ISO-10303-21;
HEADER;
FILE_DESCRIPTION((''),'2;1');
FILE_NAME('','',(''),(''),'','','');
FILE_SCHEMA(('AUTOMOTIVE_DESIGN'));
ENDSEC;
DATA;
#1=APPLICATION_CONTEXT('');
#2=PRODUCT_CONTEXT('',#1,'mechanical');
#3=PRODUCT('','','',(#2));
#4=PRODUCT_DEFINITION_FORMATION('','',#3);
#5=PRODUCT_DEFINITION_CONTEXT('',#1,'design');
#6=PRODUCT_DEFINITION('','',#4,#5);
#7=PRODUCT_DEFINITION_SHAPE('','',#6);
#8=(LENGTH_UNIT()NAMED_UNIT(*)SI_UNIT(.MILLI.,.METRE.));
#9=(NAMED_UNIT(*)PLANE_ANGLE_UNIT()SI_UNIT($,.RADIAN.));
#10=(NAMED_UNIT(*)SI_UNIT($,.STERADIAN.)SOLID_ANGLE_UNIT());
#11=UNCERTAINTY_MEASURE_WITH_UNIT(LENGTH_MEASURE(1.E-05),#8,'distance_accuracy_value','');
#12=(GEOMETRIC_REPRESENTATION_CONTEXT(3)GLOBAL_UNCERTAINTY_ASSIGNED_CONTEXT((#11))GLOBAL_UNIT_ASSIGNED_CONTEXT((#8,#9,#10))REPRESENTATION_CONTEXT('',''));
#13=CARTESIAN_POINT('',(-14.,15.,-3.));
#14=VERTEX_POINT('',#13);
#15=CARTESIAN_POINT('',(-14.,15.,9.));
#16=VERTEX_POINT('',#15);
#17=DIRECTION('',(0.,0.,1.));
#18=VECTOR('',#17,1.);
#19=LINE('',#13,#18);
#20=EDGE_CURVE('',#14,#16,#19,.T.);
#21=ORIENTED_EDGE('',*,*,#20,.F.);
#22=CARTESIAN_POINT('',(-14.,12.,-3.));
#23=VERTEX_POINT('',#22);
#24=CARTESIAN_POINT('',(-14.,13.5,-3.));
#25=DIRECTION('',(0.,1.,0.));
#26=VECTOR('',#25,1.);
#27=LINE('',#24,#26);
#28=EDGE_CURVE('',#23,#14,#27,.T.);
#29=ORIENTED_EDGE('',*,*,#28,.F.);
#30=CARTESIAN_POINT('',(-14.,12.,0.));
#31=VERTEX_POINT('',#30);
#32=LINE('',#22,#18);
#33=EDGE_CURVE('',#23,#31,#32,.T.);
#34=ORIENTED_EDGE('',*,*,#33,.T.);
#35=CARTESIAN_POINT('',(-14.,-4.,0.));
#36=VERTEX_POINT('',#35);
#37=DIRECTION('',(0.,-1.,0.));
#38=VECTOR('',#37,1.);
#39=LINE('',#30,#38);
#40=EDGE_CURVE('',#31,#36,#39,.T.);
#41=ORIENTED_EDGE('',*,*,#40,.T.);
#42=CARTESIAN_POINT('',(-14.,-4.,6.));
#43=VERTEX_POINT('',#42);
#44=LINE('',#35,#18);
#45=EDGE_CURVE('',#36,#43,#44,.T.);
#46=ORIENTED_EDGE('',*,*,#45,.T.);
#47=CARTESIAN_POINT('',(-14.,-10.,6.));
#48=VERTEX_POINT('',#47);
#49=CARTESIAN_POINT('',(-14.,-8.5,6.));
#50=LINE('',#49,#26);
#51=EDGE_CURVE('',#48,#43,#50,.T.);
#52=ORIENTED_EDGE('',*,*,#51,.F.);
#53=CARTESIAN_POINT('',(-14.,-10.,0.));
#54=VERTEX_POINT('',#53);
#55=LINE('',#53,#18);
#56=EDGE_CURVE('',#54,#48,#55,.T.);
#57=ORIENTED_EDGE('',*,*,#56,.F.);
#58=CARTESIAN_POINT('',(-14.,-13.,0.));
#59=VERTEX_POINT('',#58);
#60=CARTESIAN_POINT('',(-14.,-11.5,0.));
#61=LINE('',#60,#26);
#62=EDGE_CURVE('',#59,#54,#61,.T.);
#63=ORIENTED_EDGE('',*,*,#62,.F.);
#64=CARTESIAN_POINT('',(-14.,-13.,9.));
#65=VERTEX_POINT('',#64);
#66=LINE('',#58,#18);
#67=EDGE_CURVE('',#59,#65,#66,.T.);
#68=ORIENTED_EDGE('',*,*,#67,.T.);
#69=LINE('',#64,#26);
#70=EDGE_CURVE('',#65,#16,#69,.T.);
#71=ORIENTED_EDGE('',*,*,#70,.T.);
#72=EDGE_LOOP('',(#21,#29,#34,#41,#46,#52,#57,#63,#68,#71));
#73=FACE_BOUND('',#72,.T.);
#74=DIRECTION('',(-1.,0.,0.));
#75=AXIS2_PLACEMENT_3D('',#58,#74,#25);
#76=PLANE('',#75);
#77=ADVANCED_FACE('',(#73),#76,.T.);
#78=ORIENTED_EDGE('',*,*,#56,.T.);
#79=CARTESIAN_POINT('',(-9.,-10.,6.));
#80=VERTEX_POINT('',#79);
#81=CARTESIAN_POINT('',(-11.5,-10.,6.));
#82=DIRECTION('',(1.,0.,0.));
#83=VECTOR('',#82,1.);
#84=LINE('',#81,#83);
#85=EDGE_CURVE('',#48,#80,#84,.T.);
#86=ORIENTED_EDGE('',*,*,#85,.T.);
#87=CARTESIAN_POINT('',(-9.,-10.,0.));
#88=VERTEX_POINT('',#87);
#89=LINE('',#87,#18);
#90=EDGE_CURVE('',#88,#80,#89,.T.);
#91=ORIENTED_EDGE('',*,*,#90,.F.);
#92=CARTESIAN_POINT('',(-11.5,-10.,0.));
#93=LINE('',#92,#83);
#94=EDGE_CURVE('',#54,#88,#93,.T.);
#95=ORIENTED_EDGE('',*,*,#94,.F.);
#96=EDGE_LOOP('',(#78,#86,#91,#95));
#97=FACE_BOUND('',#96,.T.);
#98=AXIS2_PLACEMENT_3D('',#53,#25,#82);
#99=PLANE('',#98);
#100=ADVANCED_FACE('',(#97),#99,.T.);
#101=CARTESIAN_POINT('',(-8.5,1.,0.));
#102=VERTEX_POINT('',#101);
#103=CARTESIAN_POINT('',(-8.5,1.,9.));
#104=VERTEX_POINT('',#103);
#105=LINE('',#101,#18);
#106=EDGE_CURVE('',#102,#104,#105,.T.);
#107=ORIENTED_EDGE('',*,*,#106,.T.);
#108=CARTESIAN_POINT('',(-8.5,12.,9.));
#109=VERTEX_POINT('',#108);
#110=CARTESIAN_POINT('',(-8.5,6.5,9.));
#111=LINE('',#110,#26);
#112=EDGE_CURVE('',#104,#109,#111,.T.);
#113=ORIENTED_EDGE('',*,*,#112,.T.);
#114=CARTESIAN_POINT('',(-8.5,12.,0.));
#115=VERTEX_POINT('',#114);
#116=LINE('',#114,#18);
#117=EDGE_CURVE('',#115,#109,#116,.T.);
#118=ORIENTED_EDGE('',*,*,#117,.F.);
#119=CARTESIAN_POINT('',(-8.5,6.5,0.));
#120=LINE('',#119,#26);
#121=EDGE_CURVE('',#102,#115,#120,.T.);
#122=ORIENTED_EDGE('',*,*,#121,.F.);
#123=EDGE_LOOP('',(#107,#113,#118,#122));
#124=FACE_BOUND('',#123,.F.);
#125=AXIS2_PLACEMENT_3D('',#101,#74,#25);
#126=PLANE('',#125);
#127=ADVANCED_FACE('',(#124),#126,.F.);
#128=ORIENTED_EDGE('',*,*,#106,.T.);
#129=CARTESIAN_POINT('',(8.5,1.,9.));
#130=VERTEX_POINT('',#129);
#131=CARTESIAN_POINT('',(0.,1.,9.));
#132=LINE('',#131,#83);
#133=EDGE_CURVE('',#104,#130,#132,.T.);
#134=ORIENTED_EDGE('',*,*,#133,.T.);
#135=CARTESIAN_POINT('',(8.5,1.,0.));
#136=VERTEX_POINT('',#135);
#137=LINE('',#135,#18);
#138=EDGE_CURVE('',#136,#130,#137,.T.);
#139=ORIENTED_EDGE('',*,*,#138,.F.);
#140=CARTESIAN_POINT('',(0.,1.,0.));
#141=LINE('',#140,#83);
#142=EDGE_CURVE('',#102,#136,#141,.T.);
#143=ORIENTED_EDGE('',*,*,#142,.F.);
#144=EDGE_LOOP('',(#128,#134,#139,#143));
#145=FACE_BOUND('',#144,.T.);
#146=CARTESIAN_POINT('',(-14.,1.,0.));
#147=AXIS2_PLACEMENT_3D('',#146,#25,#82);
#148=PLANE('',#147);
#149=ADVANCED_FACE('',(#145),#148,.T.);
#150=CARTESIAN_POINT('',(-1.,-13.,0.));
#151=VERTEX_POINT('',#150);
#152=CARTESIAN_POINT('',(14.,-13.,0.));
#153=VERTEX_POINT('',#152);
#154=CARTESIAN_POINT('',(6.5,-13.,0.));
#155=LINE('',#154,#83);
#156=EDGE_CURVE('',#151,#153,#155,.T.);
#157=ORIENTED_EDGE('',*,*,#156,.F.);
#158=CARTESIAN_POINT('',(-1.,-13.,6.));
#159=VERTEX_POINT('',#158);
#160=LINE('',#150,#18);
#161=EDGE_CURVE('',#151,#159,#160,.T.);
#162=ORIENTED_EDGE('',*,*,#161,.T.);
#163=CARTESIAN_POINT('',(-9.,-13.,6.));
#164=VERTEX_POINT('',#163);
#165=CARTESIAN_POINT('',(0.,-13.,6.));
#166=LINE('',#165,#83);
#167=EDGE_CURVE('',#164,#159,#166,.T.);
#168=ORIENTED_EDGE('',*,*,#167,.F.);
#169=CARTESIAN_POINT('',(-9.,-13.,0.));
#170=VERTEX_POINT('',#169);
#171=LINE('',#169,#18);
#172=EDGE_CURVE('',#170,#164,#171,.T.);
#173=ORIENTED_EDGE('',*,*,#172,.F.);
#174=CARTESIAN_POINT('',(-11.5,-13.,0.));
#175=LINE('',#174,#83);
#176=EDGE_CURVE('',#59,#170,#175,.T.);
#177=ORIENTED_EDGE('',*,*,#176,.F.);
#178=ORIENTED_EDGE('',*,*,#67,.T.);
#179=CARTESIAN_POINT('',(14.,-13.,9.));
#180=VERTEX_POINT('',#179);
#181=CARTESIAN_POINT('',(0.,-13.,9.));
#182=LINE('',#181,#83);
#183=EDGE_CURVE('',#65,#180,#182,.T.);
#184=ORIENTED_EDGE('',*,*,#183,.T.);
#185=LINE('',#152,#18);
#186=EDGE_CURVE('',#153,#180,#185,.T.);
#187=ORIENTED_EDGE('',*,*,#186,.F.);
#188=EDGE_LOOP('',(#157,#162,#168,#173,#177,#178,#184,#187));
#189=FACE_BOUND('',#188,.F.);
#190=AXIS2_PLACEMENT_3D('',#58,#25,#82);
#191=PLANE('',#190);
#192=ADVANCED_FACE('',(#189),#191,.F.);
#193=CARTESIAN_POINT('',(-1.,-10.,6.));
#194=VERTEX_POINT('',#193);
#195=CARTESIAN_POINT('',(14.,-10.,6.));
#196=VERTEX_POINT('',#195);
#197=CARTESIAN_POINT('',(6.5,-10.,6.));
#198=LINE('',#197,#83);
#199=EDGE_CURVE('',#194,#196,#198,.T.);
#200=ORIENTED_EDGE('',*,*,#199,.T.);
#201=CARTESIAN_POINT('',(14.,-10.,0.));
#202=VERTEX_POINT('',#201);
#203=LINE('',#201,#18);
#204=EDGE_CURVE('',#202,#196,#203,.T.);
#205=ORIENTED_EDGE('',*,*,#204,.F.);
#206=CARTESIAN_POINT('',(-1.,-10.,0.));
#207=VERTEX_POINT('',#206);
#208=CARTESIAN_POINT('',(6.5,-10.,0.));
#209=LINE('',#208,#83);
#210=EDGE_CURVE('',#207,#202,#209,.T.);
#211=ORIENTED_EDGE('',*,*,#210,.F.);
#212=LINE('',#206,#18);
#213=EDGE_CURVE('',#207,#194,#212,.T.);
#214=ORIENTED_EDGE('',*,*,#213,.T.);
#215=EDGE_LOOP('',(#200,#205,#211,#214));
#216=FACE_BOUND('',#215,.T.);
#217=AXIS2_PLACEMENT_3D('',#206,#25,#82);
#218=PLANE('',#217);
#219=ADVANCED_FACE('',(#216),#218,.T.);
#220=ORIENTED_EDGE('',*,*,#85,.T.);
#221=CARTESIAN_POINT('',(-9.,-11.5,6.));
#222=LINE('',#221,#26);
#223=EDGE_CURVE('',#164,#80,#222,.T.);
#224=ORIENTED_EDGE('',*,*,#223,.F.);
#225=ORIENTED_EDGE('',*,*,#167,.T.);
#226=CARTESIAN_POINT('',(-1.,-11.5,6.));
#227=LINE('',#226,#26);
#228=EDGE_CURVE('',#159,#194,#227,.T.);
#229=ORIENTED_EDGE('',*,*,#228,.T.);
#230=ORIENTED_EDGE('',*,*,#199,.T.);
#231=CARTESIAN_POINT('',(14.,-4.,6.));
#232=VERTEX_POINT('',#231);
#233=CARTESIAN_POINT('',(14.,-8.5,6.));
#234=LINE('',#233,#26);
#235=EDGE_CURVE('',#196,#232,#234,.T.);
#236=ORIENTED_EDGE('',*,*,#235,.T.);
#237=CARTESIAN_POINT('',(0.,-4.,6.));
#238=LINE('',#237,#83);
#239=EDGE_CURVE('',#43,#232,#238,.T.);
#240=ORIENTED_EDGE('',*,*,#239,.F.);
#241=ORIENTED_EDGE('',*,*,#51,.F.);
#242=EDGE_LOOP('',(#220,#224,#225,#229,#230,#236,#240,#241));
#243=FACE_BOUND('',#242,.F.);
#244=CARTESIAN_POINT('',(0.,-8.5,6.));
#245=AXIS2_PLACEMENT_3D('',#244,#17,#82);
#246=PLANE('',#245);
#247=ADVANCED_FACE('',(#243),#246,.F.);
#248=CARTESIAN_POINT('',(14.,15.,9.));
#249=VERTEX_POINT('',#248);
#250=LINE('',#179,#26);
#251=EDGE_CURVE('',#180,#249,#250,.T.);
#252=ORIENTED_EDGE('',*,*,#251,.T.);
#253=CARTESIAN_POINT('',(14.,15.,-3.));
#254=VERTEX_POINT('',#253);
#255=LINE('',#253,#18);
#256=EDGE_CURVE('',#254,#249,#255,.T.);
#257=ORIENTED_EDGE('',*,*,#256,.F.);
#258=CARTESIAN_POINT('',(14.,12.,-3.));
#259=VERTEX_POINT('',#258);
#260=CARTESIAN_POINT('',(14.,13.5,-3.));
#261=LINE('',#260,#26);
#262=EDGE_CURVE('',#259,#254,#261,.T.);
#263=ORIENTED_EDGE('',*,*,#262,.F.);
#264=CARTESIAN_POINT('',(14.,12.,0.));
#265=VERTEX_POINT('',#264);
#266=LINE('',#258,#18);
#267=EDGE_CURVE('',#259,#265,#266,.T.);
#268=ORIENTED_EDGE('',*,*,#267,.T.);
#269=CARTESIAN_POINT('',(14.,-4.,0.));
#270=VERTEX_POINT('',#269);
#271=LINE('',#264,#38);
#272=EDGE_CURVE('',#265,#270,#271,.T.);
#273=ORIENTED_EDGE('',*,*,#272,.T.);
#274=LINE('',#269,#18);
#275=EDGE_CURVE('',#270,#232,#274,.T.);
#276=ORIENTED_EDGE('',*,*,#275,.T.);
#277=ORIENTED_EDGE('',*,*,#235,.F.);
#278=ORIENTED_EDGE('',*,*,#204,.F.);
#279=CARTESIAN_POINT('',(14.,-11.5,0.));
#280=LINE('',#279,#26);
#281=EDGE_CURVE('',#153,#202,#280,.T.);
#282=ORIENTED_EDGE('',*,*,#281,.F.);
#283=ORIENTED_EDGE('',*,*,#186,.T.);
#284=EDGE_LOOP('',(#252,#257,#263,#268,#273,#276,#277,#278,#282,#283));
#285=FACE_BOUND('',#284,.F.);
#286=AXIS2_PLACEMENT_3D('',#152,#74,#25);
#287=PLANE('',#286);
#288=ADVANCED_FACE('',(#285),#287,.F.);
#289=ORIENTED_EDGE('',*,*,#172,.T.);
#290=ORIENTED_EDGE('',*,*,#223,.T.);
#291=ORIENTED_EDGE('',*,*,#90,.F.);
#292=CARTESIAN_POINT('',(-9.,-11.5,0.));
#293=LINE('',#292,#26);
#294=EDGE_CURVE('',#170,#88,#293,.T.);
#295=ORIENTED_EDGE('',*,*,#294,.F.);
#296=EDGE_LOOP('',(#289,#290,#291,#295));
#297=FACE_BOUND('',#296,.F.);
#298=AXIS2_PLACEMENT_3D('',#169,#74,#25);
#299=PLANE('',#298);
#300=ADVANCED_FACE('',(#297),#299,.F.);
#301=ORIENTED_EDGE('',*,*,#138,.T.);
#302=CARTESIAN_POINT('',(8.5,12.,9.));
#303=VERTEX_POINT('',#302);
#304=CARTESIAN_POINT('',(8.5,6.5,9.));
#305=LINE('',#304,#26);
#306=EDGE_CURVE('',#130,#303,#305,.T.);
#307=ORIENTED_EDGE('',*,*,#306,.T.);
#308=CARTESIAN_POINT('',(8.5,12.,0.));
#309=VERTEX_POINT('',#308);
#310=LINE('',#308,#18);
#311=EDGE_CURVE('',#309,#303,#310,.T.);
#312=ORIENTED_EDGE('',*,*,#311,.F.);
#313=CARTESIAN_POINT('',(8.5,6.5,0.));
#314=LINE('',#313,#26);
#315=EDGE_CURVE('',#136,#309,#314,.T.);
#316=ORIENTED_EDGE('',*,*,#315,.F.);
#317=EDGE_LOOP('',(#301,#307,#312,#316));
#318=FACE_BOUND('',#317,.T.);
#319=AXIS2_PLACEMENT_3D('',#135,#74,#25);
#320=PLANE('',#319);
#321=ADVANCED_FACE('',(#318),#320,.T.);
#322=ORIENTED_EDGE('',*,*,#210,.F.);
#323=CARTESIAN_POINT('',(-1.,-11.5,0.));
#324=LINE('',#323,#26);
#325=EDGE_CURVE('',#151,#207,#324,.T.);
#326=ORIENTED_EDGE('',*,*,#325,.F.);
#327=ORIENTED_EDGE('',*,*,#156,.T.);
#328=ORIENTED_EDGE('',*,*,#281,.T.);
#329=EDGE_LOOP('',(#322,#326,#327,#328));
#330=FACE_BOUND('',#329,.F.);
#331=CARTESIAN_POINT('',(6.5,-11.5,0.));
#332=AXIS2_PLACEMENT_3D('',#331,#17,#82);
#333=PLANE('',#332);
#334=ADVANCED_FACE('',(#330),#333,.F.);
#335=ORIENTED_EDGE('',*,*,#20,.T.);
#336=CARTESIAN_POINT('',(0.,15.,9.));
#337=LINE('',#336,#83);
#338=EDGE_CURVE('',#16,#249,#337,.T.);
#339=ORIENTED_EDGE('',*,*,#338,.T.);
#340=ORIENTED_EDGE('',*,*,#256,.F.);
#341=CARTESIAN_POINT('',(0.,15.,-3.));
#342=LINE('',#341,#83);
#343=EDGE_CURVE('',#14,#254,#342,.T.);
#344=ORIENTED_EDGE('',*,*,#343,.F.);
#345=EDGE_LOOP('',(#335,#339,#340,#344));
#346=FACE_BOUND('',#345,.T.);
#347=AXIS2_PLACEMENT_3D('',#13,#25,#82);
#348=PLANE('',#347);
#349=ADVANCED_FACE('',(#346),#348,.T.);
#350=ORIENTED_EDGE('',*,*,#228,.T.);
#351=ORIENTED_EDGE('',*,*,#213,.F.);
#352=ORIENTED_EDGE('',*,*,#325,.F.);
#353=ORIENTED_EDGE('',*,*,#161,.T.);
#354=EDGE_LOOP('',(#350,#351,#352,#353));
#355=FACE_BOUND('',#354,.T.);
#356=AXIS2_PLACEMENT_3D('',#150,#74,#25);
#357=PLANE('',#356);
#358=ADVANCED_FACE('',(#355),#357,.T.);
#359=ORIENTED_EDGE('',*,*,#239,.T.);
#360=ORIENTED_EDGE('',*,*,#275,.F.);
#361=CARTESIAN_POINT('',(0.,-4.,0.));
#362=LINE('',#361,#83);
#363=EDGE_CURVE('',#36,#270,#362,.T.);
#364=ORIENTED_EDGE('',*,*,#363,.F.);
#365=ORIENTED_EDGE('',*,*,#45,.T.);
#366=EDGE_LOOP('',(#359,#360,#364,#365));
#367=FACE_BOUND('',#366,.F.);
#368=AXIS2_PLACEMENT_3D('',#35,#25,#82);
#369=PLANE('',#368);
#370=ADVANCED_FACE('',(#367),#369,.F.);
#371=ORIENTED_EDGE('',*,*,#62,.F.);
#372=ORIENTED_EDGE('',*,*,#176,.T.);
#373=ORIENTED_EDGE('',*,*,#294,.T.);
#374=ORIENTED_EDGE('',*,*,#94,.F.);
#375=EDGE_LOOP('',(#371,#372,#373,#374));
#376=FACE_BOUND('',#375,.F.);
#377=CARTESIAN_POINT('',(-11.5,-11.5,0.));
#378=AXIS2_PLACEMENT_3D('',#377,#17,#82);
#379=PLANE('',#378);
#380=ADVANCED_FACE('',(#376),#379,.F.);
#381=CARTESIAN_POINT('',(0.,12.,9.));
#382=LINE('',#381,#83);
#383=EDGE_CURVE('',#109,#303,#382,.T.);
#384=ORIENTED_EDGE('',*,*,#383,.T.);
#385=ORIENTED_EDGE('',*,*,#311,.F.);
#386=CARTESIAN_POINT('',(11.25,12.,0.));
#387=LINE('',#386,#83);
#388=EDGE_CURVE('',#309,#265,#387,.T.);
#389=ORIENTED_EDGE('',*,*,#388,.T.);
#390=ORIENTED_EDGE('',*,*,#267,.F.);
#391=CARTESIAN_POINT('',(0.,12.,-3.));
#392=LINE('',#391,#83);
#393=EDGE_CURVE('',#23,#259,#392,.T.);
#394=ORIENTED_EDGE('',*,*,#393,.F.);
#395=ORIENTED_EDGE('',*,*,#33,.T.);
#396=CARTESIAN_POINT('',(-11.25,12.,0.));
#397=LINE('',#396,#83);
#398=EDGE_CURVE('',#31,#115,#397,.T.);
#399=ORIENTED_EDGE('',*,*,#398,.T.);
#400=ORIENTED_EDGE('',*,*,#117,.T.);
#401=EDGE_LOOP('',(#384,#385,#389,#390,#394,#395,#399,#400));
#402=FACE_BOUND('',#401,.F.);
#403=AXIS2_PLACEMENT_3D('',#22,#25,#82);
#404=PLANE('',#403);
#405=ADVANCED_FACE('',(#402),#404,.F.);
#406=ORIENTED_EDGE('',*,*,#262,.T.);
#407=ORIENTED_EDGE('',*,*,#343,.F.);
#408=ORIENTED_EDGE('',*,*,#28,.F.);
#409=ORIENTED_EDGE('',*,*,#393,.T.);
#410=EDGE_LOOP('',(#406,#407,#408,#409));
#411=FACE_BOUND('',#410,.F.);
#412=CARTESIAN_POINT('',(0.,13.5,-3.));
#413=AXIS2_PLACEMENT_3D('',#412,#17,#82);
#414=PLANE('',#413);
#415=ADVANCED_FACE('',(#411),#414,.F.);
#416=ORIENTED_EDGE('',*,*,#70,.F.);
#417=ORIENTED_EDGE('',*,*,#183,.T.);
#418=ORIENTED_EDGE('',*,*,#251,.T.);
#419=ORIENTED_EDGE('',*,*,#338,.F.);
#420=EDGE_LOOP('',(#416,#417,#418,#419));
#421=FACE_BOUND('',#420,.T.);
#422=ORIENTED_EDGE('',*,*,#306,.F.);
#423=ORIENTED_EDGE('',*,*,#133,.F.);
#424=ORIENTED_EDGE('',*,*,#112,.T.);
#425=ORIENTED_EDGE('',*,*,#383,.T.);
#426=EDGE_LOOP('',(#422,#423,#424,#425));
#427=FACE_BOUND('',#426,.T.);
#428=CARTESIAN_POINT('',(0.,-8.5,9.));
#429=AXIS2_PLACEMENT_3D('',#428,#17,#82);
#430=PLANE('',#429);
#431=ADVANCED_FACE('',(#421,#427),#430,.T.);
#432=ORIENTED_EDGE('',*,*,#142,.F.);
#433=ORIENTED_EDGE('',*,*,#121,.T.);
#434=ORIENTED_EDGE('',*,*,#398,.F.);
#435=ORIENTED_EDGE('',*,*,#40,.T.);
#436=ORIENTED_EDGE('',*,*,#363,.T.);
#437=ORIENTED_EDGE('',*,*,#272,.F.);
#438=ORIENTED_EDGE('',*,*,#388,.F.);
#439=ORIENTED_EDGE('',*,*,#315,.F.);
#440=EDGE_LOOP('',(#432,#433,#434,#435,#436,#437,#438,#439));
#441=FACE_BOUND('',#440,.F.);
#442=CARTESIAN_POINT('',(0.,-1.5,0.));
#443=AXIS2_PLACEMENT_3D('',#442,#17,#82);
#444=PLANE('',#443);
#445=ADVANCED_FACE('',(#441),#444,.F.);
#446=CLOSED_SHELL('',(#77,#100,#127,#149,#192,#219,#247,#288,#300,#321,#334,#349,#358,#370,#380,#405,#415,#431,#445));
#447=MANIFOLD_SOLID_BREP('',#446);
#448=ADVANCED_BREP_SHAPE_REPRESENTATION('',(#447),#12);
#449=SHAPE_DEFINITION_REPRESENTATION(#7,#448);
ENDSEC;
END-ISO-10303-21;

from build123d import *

# Parameters (mm, degrees)
BOX015_W     = 5.5
BOX015_H     = 11
BOX015_DEPTH = 9
BOX016_W     = 5.5
BOX016_H     = 11
BOX016_DEPTH = 9
BOX022_W     = 28
BOX022_H     = 5
BOX022_DEPTH = 9
BOX019_W     = 28
BOX019_H     = 9
BOX019_DEPTH = 3
BOX021_W     = 15
BOX021_H     = 3
BOX021_DEPTH = 6
BOX020_W     = 5
BOX020_H     = 3
BOX020_DEPTH = 6
BOX017_W     = 28
BOX017_H     = 3
BOX017_DEPTH = 12


with BuildPart() as cube014:
    # Box015 → Box015 (new body)
    with BuildSketch(Plane(origin=(8.5, 1, 0), x_dir=(1, 0, 0), z_dir=(0, 0, 1))):
        with Locations((2.75, 5.5)):
            Rectangle(BOX015_W, BOX015_H)
    extrude(amount=BOX015_DEPTH)


with BuildPart() as cube015:
    # Box016 → Box016 (new body)
    with BuildSketch(Plane(origin=(-14, 1, 0), x_dir=(1, 0, 0), z_dir=(0, 0, 1))):
        with Locations((2.75, 5.5)):
            Rectangle(BOX016_W, BOX016_H)
    extrude(amount=BOX016_DEPTH)


with BuildPart() as cube021:
    # Box022 → Box022 (new body)
    with BuildSketch(Plane(origin=(-14, -4, 0), x_dir=(1, 0, 0), z_dir=(0, 0, 1))):
        with Locations((14, 2.5)):
            Rectangle(BOX022_W, BOX022_H)
    extrude(amount=BOX022_DEPTH)


with BuildPart() as cube018:
    # Box019 → Box019 (new body)
    with BuildSketch(Plane(origin=(-14, -13, 6), x_dir=(1, 0, 0), z_dir=(0, 0, 1))):
        with Locations((14, 4.5)):
            Rectangle(BOX019_W, BOX019_H)
    extrude(amount=BOX019_DEPTH)


with BuildPart() as cube020:
    # Box021 → Box021 (new body)
    with BuildSketch(Plane(origin=(-1, -13, 0), x_dir=(1, 0, 0), z_dir=(0, 0, 1))):
        with Locations((7.5, 1.5)):
            Rectangle(BOX021_W, BOX021_H)
    extrude(amount=BOX021_DEPTH)


with BuildPart() as cube019:
    # Box020 → Box020 (new body)
    with BuildSketch(Plane(origin=(-14, -13, 0), x_dir=(1, 0, 0), z_dir=(0, 0, 1))):
        with Locations((2.5, 1.5)):
            Rectangle(BOX020_W, BOX020_H)
    extrude(amount=BOX020_DEPTH)


with BuildPart() as fusion003002002002:
    # Box017 → Box017 (new body)
    with BuildSketch(Plane(origin=(-14, 12, -3), x_dir=(1, 0, 0), z_dir=(0, 0, 1))):
        with Locations((14, 1.5)):
            Rectangle(BOX017_W, BOX017_H)
    extrude(amount=BOX017_DEPTH)

    # Fusion003002002002: union Cube014, Cube015, Cube021, Cube018, Cube020, Cube019
    add(cube014.part)
    add(cube015.part)
    add(cube021.part)
    add(cube018.part)
    add(cube020.part)
    add(cube019.part)


solid = fusion003002002002.part
